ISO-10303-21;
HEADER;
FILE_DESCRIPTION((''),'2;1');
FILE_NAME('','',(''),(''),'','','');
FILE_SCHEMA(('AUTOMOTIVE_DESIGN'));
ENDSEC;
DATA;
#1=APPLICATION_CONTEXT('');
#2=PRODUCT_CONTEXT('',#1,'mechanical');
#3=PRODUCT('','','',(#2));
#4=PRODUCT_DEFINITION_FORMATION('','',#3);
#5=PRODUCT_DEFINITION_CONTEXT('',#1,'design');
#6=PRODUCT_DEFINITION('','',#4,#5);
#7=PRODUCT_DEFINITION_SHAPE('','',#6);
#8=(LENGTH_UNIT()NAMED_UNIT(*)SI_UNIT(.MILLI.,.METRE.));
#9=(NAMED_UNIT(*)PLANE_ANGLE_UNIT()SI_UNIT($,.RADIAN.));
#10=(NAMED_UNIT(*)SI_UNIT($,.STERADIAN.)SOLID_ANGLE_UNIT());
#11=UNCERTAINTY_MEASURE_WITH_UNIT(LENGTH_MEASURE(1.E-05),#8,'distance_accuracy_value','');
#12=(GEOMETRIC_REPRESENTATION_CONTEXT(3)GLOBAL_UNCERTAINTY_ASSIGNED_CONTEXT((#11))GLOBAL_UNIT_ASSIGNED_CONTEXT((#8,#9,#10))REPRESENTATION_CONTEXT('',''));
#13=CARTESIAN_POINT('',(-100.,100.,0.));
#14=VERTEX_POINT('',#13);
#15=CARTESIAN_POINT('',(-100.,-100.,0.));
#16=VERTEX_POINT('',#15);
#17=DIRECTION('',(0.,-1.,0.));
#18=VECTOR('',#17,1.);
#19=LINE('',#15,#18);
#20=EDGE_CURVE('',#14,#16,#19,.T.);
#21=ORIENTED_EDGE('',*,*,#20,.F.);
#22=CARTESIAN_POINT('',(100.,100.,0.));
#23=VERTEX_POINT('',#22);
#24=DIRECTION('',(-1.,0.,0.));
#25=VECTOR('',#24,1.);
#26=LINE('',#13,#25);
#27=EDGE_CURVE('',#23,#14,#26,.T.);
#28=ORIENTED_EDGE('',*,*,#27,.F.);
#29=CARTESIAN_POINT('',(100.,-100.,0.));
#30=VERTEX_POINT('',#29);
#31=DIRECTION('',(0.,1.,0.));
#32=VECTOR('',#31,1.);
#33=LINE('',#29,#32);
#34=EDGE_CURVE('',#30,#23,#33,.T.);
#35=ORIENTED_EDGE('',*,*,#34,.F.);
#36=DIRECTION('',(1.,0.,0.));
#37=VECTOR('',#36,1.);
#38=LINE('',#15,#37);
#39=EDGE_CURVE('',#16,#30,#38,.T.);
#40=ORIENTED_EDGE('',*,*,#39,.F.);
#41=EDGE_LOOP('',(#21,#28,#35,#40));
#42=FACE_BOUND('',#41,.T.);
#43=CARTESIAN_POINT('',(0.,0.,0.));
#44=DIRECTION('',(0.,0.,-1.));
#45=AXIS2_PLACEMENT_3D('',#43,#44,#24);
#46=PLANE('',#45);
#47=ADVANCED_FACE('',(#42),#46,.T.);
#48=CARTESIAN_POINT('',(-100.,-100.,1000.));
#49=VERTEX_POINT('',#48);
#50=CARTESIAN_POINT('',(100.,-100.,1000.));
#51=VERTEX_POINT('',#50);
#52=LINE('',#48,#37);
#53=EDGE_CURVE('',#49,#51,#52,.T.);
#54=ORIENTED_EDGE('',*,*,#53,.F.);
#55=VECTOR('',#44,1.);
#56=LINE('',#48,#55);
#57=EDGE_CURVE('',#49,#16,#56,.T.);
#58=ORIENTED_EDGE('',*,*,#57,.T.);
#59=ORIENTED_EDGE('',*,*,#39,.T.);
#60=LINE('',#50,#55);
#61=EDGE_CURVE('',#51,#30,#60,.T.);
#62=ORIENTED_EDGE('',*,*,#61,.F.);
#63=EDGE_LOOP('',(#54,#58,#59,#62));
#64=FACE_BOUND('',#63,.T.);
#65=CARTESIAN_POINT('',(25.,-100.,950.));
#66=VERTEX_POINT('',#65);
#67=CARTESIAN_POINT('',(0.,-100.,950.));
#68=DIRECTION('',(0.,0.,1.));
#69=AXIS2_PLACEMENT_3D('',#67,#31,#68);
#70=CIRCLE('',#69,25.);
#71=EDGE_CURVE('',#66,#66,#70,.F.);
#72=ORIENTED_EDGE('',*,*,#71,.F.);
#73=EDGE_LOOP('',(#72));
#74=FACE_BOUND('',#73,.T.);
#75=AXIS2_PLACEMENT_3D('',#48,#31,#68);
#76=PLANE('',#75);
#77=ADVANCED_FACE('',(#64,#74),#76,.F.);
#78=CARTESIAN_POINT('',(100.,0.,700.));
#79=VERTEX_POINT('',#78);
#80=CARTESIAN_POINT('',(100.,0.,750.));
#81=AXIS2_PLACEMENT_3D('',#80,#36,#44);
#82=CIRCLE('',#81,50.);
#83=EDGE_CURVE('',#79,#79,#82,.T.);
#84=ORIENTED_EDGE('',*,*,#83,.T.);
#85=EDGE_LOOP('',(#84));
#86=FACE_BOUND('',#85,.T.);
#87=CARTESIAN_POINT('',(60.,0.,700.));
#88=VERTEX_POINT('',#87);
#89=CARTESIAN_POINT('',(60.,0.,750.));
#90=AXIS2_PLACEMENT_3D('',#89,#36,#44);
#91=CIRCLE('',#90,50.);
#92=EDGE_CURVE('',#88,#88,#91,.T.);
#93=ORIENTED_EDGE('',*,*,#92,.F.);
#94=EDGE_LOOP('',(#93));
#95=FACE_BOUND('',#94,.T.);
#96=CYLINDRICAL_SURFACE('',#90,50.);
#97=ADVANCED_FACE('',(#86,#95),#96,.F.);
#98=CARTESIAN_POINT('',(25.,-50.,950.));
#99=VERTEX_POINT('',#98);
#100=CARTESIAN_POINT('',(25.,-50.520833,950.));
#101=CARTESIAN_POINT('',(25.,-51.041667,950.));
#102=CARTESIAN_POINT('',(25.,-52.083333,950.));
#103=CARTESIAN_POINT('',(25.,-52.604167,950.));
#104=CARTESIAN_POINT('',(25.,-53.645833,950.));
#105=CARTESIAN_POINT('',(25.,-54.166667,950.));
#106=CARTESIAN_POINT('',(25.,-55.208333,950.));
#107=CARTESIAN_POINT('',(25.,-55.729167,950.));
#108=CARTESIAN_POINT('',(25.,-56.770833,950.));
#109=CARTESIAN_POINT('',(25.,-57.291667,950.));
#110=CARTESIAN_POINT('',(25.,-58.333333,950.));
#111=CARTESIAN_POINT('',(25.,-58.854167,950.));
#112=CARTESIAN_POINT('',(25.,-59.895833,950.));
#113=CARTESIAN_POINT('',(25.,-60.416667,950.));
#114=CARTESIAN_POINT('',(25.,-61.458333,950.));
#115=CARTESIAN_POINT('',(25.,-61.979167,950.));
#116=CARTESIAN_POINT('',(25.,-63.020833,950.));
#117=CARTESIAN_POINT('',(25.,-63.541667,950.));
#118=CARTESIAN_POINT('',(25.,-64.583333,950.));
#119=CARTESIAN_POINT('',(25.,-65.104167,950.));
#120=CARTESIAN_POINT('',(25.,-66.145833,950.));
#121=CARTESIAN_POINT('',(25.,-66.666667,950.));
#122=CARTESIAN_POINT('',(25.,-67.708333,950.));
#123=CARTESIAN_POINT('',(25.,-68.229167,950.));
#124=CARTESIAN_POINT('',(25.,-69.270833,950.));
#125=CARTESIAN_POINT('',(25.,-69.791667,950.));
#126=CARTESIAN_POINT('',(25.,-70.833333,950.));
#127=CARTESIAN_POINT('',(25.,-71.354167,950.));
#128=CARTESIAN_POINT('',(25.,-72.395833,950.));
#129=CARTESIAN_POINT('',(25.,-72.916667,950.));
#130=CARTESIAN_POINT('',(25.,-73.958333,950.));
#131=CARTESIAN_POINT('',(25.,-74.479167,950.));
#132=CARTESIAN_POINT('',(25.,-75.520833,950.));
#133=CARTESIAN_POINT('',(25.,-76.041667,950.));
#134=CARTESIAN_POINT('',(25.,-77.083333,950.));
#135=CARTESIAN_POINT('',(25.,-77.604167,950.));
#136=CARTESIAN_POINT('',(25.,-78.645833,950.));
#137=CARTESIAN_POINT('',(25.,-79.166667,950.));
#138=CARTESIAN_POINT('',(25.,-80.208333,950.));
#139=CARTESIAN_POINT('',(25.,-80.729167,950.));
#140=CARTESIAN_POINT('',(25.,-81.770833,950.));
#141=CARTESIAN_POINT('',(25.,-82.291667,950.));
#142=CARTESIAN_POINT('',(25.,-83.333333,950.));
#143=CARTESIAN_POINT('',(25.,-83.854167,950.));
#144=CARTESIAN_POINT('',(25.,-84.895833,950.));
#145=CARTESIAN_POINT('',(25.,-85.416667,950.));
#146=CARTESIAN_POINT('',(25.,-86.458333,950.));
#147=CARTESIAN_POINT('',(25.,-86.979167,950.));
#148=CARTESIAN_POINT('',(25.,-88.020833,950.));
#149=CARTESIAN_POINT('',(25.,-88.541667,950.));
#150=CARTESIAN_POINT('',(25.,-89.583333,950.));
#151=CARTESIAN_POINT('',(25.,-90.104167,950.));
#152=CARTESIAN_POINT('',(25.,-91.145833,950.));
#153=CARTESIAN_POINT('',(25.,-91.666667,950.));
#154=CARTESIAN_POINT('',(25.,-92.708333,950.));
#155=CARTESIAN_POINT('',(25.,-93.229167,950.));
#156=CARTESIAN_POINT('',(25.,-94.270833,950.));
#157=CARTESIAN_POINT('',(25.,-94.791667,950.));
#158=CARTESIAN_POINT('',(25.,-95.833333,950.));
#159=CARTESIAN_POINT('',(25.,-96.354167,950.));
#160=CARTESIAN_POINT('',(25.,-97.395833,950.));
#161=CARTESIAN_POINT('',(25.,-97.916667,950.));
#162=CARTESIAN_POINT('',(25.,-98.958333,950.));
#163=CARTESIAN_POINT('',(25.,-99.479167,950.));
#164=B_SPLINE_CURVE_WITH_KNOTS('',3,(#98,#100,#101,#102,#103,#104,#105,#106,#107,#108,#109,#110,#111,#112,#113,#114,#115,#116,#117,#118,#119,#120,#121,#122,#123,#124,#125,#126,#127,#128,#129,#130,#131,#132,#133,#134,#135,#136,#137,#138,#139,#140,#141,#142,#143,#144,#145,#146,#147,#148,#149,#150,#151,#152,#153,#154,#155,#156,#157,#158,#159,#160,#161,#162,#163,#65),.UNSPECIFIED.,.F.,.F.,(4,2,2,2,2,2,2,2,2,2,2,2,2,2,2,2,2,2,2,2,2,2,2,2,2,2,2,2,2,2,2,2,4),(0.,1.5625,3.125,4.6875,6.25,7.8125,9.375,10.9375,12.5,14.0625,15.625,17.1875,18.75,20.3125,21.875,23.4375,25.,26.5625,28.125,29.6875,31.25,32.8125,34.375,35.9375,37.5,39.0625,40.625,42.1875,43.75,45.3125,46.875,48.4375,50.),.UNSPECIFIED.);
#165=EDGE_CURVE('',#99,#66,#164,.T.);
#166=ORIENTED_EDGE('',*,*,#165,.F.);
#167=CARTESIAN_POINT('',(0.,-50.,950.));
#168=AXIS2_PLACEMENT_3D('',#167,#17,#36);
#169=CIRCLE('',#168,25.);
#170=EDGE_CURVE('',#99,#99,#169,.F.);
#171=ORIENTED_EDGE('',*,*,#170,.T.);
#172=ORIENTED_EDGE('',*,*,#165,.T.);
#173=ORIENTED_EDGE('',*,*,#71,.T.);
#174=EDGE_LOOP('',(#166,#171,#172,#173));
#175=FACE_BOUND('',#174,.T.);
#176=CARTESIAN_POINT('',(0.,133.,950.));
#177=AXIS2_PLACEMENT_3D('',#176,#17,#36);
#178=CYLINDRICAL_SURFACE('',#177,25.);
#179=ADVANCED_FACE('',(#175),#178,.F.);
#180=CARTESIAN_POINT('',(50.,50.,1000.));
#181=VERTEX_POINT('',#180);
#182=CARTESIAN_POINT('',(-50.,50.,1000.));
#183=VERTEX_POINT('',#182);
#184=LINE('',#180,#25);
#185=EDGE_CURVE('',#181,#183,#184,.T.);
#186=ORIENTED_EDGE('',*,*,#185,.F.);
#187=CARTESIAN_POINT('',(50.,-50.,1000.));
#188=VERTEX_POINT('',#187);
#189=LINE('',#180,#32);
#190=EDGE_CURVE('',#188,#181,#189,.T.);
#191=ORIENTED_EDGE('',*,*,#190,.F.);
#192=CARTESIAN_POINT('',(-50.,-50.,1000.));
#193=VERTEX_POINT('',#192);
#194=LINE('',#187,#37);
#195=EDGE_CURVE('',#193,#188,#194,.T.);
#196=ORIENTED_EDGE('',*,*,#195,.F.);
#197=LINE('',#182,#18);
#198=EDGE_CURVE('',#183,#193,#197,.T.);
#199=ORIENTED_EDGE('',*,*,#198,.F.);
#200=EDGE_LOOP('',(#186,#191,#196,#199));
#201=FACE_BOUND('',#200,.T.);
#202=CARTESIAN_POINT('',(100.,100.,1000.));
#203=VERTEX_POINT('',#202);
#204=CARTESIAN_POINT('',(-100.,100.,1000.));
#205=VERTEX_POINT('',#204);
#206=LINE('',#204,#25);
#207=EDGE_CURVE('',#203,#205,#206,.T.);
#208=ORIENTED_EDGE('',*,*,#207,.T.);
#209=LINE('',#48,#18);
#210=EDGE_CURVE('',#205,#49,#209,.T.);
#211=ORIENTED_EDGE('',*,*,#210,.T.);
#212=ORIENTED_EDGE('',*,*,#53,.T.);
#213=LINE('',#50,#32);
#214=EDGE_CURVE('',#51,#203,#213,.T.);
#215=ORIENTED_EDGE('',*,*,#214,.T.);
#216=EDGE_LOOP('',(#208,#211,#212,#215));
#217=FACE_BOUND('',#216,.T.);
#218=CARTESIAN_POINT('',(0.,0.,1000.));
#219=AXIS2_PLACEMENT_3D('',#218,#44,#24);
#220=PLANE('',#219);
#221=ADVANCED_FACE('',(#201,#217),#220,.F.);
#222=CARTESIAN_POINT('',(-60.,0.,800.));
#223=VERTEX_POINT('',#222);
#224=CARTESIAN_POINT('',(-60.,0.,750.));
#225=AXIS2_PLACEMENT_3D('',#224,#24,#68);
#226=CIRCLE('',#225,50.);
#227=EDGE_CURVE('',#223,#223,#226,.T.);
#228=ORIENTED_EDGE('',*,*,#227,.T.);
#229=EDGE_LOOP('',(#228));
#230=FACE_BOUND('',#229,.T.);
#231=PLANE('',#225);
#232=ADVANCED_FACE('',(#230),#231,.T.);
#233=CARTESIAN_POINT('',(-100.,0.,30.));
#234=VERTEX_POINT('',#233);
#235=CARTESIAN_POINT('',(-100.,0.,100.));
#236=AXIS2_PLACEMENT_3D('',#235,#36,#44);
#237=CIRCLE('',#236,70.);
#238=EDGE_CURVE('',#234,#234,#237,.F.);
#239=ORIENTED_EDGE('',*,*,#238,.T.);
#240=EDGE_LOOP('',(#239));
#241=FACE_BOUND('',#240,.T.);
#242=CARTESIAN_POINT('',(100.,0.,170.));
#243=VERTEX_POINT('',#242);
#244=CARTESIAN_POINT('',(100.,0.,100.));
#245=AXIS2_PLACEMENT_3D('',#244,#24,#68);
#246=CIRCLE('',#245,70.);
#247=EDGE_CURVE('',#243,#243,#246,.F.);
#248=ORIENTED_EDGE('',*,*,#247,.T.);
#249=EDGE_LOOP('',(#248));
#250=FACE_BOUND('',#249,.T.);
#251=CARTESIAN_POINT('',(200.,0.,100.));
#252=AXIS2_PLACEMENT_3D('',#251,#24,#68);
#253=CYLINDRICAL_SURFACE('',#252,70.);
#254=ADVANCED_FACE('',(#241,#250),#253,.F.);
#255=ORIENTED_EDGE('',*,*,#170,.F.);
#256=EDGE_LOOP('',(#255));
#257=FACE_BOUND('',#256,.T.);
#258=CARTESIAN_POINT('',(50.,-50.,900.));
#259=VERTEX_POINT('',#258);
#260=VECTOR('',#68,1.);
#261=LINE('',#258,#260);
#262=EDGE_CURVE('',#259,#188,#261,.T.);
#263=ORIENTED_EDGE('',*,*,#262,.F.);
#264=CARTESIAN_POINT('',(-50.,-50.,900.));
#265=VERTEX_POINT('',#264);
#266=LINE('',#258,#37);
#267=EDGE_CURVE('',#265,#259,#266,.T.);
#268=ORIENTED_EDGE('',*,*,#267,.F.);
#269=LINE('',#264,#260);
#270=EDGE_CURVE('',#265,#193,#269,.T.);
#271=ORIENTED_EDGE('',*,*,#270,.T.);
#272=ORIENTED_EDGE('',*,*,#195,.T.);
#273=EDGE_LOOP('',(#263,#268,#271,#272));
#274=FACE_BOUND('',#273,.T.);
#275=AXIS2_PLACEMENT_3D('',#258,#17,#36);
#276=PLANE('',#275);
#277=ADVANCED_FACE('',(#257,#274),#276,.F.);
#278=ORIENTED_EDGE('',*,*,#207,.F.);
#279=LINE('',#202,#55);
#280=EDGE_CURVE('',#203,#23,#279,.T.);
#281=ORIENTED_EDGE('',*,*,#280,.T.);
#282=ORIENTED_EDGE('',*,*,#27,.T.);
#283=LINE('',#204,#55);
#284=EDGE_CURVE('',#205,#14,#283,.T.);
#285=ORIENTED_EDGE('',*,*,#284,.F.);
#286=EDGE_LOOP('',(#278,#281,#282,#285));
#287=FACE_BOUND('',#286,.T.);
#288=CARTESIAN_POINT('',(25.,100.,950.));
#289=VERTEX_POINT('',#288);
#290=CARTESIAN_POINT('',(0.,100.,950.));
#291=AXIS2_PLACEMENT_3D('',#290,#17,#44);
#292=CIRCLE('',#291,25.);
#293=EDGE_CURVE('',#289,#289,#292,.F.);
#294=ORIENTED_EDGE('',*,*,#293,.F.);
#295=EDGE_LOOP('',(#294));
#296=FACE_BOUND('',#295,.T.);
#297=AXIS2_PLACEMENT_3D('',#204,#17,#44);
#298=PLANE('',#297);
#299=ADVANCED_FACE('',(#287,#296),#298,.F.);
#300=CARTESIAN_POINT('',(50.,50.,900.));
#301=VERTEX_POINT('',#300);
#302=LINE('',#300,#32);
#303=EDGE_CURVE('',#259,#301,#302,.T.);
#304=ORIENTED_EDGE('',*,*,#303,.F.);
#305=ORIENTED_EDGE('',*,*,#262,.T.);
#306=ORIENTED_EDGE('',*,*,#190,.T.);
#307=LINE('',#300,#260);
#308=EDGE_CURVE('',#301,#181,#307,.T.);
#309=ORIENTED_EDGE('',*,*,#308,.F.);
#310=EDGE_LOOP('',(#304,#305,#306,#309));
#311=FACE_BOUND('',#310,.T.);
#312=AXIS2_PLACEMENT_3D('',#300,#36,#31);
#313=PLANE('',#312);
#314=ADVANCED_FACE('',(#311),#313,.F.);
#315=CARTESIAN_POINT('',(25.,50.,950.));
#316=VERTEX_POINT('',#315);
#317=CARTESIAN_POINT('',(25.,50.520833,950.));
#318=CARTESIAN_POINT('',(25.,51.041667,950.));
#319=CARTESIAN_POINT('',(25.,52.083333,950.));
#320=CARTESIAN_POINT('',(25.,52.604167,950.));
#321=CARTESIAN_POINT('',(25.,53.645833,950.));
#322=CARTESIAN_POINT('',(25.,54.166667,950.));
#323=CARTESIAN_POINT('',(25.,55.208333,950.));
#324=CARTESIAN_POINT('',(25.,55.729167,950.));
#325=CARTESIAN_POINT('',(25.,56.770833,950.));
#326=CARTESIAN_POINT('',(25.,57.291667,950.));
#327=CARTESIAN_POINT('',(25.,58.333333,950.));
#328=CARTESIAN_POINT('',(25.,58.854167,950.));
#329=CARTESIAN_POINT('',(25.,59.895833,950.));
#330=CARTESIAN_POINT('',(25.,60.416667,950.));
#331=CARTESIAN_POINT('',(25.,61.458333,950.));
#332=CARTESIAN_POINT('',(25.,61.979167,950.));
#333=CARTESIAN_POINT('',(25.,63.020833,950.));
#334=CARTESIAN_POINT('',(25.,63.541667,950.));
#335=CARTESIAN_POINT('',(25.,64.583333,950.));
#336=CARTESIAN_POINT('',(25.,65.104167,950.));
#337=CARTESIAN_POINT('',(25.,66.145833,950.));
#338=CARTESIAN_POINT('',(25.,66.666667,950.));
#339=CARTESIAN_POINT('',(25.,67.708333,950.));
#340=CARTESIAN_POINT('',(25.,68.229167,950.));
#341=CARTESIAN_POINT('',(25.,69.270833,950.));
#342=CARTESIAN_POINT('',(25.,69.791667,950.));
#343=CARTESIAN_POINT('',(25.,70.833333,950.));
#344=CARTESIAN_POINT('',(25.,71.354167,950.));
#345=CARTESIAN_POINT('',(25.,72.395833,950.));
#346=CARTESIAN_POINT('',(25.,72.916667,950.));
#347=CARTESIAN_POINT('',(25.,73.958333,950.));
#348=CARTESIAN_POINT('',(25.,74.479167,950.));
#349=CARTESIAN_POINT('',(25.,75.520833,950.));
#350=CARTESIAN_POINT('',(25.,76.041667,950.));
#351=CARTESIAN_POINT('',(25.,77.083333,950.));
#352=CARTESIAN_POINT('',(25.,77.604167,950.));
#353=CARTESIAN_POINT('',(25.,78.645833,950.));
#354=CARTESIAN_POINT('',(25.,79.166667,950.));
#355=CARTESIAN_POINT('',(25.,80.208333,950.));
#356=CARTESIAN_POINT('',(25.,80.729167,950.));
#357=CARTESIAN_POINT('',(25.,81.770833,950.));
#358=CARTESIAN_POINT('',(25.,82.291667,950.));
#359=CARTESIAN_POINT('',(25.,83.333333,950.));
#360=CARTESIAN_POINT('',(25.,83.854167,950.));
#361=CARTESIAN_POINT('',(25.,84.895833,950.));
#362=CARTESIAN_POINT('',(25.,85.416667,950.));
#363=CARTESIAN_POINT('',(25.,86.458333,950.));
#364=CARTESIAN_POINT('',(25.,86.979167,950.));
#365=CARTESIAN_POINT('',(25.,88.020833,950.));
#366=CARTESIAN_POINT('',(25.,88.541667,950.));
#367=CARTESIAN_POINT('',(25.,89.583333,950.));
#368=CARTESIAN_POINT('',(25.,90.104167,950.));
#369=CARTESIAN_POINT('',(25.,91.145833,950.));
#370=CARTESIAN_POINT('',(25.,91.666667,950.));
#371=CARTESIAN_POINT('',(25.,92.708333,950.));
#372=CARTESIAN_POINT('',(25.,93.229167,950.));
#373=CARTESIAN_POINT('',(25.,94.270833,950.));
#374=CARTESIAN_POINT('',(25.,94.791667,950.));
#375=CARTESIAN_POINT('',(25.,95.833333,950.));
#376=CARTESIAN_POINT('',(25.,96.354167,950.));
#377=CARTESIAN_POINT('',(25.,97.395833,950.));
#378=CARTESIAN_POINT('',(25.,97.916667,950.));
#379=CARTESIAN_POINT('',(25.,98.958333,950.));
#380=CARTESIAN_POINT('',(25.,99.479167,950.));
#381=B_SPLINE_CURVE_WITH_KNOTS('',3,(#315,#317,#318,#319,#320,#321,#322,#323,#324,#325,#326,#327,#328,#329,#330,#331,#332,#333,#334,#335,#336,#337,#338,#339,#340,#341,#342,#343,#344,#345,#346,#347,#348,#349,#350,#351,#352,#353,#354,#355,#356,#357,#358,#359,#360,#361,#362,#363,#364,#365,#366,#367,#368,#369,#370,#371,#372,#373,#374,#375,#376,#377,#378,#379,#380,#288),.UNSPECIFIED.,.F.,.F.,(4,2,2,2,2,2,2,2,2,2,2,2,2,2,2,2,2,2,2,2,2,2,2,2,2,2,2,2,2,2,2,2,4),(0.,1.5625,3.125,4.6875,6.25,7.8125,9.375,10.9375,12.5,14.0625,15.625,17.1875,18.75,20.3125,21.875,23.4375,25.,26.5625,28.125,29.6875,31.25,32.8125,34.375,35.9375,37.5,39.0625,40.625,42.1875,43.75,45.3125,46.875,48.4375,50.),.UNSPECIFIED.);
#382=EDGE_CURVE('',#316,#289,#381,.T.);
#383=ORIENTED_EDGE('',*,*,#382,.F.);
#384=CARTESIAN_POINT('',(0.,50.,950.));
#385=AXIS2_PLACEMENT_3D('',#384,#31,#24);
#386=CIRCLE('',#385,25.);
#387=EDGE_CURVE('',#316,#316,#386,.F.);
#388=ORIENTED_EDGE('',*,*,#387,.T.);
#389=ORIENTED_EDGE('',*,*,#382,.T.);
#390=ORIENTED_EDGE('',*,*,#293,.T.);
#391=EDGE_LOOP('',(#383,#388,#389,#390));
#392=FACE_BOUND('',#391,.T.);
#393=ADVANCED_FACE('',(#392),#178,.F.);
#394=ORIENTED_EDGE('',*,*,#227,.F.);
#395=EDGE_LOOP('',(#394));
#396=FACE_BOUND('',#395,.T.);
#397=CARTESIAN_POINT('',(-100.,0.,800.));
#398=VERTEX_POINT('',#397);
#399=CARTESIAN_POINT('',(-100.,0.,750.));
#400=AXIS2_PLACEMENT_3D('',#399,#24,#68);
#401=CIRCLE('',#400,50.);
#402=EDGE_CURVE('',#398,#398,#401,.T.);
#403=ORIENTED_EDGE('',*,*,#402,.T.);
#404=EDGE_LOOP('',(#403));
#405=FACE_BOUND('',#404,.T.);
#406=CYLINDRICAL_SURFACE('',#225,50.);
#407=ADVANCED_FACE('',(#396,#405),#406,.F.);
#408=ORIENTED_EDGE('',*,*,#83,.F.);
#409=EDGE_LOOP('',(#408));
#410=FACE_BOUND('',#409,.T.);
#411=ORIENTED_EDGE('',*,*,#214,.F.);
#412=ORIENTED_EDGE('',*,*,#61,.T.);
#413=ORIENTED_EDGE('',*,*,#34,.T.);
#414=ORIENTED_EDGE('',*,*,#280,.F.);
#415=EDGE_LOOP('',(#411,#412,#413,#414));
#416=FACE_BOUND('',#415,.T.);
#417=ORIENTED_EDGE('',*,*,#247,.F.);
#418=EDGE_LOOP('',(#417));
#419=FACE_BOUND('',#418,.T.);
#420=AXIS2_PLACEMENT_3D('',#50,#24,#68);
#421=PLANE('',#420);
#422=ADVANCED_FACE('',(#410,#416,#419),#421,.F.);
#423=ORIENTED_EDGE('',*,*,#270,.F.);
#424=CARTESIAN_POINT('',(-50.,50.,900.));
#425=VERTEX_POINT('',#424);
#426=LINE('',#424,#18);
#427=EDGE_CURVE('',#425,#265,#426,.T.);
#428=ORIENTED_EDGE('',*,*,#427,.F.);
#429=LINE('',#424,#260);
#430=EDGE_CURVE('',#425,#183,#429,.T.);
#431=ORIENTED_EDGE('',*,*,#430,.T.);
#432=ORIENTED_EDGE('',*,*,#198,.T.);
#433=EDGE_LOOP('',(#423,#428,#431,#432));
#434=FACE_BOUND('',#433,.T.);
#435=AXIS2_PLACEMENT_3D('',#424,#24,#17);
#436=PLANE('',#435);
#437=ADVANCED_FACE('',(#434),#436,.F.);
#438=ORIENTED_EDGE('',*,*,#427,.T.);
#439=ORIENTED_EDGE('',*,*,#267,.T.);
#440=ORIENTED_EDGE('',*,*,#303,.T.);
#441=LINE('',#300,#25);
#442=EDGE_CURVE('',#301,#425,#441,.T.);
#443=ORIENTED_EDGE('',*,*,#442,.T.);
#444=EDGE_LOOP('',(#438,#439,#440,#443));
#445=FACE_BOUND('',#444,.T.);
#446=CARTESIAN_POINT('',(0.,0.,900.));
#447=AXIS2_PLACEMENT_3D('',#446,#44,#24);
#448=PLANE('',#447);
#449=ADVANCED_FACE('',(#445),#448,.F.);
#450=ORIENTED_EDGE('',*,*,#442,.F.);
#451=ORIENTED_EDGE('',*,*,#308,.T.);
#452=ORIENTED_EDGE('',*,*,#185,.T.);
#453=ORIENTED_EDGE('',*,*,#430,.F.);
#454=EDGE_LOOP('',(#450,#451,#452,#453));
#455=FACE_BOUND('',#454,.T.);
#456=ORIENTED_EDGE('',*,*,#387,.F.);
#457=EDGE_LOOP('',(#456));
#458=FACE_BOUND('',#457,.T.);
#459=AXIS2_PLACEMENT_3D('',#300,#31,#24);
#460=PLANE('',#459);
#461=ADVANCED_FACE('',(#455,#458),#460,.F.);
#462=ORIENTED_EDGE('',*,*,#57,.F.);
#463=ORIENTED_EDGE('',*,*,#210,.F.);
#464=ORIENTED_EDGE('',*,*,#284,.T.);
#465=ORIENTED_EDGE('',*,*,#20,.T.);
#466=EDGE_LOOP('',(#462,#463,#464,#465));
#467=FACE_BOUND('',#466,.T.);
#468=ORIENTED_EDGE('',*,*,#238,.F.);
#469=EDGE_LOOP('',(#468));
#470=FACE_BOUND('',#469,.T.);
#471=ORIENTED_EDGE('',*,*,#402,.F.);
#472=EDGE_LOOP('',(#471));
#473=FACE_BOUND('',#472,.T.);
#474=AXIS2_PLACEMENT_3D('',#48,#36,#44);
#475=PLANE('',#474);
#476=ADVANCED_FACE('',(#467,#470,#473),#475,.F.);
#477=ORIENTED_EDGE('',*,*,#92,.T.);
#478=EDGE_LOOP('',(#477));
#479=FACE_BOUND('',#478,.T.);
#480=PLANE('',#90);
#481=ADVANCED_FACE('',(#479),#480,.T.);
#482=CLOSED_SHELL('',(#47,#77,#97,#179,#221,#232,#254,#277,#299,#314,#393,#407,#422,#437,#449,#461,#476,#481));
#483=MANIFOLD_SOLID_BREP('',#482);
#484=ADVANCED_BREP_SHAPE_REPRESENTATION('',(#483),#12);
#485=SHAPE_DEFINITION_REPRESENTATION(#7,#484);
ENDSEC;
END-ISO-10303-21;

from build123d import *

# Parameters (mm, degrees)
SKETCH1_W               = 200
SKETCH1_H               = 200
BOSS_EXTRUDE1_DEPTH     = 1000
CUT_EXTRUDE1_DEPTH      = 100
CUT_EXTRUDE1_DEPTH_BACK = 300
SKETCH2_R               = 70
SKETCH3_W               = 100
SKETCH3_H               = 100
CUT_EXTRUDE2_DEPTH      = 100
CUT_EXTRUDE3_DEPTH      = 183
CUT_EXTRUDE3_DEPTH_BACK = 100
SKETCH4_R               = 25
SKETCH5_R               = 50
CUT_EXTRUDE4_DEPTH      = 40
CUT_EXTRUDE5_START      = -40
SKETCH6_R               = 50
CUT_EXTRUDE5_DEPTH      = 40


with BuildPart() as part:
    # Sketch1 → Boss-Extrude1 (new body)
    with BuildSketch(Plane.XY):
        Rectangle(SKETCH1_W, SKETCH1_H)
    extrude(amount=BOSS_EXTRUDE1_DEPTH)

    # Sketch2 → Cut-Extrude1 (cut, two sides: drawn at the far end of the back side and taken through both)
    with BuildSketch(Plane(origin=(100, 0, 0), x_dir=(0, 0, -1), z_dir=(1, 0, 0)).offset(-CUT_EXTRUDE1_DEPTH_BACK)):
        with Locations(Location((-100, 0, 0), (0, 0, 180))):
            Circle(SKETCH2_R)
    extrude(amount=CUT_EXTRUDE1_DEPTH + CUT_EXTRUDE1_DEPTH_BACK, mode=Mode.SUBTRACT)

    # Sketch3 → Cut-Extrude2 (cut)
    with BuildSketch(Plane.XY.offset(1000)):
        Rectangle(SKETCH3_W, SKETCH3_H)
    extrude(amount=-CUT_EXTRUDE2_DEPTH, mode=Mode.SUBTRACT)

    # Sketch4 → Cut-Extrude3 (cut, two sides: drawn at the far end of the back side and taken through both)
    with BuildSketch(Plane(origin=(0, -50, 0), x_dir=(1, 0, 0), z_dir=(0, 1, 0)).offset(-CUT_EXTRUDE3_DEPTH_BACK)):
        with Locations((0, -950)):
            Circle(SKETCH4_R)
    extrude(amount=CUT_EXTRUDE3_DEPTH + CUT_EXTRUDE3_DEPTH_BACK, mode=Mode.SUBTRACT)

    # Sketch5 → Cut-Extrude4 (cut)
    with BuildSketch(Plane(origin=(100, 0, 0), x_dir=(0, 0, -1), z_dir=(1, 0, 0))):
        with Locations((-750, 0)):
            Circle(SKETCH5_R)
    extrude(amount=-CUT_EXTRUDE4_DEPTH, mode=Mode.SUBTRACT)

    # Sketch6 → Cut-Extrude5 (cut)
    with BuildSketch(Plane.ZY.offset(100).offset(CUT_EXTRUDE5_START)):
        with Locations(Location((750, 0, 0), (0, 0, 180))):
            Circle(SKETCH6_R)
    extrude(amount=CUT_EXTRUDE5_DEPTH, mode=Mode.SUBTRACT)


solid = part.part
